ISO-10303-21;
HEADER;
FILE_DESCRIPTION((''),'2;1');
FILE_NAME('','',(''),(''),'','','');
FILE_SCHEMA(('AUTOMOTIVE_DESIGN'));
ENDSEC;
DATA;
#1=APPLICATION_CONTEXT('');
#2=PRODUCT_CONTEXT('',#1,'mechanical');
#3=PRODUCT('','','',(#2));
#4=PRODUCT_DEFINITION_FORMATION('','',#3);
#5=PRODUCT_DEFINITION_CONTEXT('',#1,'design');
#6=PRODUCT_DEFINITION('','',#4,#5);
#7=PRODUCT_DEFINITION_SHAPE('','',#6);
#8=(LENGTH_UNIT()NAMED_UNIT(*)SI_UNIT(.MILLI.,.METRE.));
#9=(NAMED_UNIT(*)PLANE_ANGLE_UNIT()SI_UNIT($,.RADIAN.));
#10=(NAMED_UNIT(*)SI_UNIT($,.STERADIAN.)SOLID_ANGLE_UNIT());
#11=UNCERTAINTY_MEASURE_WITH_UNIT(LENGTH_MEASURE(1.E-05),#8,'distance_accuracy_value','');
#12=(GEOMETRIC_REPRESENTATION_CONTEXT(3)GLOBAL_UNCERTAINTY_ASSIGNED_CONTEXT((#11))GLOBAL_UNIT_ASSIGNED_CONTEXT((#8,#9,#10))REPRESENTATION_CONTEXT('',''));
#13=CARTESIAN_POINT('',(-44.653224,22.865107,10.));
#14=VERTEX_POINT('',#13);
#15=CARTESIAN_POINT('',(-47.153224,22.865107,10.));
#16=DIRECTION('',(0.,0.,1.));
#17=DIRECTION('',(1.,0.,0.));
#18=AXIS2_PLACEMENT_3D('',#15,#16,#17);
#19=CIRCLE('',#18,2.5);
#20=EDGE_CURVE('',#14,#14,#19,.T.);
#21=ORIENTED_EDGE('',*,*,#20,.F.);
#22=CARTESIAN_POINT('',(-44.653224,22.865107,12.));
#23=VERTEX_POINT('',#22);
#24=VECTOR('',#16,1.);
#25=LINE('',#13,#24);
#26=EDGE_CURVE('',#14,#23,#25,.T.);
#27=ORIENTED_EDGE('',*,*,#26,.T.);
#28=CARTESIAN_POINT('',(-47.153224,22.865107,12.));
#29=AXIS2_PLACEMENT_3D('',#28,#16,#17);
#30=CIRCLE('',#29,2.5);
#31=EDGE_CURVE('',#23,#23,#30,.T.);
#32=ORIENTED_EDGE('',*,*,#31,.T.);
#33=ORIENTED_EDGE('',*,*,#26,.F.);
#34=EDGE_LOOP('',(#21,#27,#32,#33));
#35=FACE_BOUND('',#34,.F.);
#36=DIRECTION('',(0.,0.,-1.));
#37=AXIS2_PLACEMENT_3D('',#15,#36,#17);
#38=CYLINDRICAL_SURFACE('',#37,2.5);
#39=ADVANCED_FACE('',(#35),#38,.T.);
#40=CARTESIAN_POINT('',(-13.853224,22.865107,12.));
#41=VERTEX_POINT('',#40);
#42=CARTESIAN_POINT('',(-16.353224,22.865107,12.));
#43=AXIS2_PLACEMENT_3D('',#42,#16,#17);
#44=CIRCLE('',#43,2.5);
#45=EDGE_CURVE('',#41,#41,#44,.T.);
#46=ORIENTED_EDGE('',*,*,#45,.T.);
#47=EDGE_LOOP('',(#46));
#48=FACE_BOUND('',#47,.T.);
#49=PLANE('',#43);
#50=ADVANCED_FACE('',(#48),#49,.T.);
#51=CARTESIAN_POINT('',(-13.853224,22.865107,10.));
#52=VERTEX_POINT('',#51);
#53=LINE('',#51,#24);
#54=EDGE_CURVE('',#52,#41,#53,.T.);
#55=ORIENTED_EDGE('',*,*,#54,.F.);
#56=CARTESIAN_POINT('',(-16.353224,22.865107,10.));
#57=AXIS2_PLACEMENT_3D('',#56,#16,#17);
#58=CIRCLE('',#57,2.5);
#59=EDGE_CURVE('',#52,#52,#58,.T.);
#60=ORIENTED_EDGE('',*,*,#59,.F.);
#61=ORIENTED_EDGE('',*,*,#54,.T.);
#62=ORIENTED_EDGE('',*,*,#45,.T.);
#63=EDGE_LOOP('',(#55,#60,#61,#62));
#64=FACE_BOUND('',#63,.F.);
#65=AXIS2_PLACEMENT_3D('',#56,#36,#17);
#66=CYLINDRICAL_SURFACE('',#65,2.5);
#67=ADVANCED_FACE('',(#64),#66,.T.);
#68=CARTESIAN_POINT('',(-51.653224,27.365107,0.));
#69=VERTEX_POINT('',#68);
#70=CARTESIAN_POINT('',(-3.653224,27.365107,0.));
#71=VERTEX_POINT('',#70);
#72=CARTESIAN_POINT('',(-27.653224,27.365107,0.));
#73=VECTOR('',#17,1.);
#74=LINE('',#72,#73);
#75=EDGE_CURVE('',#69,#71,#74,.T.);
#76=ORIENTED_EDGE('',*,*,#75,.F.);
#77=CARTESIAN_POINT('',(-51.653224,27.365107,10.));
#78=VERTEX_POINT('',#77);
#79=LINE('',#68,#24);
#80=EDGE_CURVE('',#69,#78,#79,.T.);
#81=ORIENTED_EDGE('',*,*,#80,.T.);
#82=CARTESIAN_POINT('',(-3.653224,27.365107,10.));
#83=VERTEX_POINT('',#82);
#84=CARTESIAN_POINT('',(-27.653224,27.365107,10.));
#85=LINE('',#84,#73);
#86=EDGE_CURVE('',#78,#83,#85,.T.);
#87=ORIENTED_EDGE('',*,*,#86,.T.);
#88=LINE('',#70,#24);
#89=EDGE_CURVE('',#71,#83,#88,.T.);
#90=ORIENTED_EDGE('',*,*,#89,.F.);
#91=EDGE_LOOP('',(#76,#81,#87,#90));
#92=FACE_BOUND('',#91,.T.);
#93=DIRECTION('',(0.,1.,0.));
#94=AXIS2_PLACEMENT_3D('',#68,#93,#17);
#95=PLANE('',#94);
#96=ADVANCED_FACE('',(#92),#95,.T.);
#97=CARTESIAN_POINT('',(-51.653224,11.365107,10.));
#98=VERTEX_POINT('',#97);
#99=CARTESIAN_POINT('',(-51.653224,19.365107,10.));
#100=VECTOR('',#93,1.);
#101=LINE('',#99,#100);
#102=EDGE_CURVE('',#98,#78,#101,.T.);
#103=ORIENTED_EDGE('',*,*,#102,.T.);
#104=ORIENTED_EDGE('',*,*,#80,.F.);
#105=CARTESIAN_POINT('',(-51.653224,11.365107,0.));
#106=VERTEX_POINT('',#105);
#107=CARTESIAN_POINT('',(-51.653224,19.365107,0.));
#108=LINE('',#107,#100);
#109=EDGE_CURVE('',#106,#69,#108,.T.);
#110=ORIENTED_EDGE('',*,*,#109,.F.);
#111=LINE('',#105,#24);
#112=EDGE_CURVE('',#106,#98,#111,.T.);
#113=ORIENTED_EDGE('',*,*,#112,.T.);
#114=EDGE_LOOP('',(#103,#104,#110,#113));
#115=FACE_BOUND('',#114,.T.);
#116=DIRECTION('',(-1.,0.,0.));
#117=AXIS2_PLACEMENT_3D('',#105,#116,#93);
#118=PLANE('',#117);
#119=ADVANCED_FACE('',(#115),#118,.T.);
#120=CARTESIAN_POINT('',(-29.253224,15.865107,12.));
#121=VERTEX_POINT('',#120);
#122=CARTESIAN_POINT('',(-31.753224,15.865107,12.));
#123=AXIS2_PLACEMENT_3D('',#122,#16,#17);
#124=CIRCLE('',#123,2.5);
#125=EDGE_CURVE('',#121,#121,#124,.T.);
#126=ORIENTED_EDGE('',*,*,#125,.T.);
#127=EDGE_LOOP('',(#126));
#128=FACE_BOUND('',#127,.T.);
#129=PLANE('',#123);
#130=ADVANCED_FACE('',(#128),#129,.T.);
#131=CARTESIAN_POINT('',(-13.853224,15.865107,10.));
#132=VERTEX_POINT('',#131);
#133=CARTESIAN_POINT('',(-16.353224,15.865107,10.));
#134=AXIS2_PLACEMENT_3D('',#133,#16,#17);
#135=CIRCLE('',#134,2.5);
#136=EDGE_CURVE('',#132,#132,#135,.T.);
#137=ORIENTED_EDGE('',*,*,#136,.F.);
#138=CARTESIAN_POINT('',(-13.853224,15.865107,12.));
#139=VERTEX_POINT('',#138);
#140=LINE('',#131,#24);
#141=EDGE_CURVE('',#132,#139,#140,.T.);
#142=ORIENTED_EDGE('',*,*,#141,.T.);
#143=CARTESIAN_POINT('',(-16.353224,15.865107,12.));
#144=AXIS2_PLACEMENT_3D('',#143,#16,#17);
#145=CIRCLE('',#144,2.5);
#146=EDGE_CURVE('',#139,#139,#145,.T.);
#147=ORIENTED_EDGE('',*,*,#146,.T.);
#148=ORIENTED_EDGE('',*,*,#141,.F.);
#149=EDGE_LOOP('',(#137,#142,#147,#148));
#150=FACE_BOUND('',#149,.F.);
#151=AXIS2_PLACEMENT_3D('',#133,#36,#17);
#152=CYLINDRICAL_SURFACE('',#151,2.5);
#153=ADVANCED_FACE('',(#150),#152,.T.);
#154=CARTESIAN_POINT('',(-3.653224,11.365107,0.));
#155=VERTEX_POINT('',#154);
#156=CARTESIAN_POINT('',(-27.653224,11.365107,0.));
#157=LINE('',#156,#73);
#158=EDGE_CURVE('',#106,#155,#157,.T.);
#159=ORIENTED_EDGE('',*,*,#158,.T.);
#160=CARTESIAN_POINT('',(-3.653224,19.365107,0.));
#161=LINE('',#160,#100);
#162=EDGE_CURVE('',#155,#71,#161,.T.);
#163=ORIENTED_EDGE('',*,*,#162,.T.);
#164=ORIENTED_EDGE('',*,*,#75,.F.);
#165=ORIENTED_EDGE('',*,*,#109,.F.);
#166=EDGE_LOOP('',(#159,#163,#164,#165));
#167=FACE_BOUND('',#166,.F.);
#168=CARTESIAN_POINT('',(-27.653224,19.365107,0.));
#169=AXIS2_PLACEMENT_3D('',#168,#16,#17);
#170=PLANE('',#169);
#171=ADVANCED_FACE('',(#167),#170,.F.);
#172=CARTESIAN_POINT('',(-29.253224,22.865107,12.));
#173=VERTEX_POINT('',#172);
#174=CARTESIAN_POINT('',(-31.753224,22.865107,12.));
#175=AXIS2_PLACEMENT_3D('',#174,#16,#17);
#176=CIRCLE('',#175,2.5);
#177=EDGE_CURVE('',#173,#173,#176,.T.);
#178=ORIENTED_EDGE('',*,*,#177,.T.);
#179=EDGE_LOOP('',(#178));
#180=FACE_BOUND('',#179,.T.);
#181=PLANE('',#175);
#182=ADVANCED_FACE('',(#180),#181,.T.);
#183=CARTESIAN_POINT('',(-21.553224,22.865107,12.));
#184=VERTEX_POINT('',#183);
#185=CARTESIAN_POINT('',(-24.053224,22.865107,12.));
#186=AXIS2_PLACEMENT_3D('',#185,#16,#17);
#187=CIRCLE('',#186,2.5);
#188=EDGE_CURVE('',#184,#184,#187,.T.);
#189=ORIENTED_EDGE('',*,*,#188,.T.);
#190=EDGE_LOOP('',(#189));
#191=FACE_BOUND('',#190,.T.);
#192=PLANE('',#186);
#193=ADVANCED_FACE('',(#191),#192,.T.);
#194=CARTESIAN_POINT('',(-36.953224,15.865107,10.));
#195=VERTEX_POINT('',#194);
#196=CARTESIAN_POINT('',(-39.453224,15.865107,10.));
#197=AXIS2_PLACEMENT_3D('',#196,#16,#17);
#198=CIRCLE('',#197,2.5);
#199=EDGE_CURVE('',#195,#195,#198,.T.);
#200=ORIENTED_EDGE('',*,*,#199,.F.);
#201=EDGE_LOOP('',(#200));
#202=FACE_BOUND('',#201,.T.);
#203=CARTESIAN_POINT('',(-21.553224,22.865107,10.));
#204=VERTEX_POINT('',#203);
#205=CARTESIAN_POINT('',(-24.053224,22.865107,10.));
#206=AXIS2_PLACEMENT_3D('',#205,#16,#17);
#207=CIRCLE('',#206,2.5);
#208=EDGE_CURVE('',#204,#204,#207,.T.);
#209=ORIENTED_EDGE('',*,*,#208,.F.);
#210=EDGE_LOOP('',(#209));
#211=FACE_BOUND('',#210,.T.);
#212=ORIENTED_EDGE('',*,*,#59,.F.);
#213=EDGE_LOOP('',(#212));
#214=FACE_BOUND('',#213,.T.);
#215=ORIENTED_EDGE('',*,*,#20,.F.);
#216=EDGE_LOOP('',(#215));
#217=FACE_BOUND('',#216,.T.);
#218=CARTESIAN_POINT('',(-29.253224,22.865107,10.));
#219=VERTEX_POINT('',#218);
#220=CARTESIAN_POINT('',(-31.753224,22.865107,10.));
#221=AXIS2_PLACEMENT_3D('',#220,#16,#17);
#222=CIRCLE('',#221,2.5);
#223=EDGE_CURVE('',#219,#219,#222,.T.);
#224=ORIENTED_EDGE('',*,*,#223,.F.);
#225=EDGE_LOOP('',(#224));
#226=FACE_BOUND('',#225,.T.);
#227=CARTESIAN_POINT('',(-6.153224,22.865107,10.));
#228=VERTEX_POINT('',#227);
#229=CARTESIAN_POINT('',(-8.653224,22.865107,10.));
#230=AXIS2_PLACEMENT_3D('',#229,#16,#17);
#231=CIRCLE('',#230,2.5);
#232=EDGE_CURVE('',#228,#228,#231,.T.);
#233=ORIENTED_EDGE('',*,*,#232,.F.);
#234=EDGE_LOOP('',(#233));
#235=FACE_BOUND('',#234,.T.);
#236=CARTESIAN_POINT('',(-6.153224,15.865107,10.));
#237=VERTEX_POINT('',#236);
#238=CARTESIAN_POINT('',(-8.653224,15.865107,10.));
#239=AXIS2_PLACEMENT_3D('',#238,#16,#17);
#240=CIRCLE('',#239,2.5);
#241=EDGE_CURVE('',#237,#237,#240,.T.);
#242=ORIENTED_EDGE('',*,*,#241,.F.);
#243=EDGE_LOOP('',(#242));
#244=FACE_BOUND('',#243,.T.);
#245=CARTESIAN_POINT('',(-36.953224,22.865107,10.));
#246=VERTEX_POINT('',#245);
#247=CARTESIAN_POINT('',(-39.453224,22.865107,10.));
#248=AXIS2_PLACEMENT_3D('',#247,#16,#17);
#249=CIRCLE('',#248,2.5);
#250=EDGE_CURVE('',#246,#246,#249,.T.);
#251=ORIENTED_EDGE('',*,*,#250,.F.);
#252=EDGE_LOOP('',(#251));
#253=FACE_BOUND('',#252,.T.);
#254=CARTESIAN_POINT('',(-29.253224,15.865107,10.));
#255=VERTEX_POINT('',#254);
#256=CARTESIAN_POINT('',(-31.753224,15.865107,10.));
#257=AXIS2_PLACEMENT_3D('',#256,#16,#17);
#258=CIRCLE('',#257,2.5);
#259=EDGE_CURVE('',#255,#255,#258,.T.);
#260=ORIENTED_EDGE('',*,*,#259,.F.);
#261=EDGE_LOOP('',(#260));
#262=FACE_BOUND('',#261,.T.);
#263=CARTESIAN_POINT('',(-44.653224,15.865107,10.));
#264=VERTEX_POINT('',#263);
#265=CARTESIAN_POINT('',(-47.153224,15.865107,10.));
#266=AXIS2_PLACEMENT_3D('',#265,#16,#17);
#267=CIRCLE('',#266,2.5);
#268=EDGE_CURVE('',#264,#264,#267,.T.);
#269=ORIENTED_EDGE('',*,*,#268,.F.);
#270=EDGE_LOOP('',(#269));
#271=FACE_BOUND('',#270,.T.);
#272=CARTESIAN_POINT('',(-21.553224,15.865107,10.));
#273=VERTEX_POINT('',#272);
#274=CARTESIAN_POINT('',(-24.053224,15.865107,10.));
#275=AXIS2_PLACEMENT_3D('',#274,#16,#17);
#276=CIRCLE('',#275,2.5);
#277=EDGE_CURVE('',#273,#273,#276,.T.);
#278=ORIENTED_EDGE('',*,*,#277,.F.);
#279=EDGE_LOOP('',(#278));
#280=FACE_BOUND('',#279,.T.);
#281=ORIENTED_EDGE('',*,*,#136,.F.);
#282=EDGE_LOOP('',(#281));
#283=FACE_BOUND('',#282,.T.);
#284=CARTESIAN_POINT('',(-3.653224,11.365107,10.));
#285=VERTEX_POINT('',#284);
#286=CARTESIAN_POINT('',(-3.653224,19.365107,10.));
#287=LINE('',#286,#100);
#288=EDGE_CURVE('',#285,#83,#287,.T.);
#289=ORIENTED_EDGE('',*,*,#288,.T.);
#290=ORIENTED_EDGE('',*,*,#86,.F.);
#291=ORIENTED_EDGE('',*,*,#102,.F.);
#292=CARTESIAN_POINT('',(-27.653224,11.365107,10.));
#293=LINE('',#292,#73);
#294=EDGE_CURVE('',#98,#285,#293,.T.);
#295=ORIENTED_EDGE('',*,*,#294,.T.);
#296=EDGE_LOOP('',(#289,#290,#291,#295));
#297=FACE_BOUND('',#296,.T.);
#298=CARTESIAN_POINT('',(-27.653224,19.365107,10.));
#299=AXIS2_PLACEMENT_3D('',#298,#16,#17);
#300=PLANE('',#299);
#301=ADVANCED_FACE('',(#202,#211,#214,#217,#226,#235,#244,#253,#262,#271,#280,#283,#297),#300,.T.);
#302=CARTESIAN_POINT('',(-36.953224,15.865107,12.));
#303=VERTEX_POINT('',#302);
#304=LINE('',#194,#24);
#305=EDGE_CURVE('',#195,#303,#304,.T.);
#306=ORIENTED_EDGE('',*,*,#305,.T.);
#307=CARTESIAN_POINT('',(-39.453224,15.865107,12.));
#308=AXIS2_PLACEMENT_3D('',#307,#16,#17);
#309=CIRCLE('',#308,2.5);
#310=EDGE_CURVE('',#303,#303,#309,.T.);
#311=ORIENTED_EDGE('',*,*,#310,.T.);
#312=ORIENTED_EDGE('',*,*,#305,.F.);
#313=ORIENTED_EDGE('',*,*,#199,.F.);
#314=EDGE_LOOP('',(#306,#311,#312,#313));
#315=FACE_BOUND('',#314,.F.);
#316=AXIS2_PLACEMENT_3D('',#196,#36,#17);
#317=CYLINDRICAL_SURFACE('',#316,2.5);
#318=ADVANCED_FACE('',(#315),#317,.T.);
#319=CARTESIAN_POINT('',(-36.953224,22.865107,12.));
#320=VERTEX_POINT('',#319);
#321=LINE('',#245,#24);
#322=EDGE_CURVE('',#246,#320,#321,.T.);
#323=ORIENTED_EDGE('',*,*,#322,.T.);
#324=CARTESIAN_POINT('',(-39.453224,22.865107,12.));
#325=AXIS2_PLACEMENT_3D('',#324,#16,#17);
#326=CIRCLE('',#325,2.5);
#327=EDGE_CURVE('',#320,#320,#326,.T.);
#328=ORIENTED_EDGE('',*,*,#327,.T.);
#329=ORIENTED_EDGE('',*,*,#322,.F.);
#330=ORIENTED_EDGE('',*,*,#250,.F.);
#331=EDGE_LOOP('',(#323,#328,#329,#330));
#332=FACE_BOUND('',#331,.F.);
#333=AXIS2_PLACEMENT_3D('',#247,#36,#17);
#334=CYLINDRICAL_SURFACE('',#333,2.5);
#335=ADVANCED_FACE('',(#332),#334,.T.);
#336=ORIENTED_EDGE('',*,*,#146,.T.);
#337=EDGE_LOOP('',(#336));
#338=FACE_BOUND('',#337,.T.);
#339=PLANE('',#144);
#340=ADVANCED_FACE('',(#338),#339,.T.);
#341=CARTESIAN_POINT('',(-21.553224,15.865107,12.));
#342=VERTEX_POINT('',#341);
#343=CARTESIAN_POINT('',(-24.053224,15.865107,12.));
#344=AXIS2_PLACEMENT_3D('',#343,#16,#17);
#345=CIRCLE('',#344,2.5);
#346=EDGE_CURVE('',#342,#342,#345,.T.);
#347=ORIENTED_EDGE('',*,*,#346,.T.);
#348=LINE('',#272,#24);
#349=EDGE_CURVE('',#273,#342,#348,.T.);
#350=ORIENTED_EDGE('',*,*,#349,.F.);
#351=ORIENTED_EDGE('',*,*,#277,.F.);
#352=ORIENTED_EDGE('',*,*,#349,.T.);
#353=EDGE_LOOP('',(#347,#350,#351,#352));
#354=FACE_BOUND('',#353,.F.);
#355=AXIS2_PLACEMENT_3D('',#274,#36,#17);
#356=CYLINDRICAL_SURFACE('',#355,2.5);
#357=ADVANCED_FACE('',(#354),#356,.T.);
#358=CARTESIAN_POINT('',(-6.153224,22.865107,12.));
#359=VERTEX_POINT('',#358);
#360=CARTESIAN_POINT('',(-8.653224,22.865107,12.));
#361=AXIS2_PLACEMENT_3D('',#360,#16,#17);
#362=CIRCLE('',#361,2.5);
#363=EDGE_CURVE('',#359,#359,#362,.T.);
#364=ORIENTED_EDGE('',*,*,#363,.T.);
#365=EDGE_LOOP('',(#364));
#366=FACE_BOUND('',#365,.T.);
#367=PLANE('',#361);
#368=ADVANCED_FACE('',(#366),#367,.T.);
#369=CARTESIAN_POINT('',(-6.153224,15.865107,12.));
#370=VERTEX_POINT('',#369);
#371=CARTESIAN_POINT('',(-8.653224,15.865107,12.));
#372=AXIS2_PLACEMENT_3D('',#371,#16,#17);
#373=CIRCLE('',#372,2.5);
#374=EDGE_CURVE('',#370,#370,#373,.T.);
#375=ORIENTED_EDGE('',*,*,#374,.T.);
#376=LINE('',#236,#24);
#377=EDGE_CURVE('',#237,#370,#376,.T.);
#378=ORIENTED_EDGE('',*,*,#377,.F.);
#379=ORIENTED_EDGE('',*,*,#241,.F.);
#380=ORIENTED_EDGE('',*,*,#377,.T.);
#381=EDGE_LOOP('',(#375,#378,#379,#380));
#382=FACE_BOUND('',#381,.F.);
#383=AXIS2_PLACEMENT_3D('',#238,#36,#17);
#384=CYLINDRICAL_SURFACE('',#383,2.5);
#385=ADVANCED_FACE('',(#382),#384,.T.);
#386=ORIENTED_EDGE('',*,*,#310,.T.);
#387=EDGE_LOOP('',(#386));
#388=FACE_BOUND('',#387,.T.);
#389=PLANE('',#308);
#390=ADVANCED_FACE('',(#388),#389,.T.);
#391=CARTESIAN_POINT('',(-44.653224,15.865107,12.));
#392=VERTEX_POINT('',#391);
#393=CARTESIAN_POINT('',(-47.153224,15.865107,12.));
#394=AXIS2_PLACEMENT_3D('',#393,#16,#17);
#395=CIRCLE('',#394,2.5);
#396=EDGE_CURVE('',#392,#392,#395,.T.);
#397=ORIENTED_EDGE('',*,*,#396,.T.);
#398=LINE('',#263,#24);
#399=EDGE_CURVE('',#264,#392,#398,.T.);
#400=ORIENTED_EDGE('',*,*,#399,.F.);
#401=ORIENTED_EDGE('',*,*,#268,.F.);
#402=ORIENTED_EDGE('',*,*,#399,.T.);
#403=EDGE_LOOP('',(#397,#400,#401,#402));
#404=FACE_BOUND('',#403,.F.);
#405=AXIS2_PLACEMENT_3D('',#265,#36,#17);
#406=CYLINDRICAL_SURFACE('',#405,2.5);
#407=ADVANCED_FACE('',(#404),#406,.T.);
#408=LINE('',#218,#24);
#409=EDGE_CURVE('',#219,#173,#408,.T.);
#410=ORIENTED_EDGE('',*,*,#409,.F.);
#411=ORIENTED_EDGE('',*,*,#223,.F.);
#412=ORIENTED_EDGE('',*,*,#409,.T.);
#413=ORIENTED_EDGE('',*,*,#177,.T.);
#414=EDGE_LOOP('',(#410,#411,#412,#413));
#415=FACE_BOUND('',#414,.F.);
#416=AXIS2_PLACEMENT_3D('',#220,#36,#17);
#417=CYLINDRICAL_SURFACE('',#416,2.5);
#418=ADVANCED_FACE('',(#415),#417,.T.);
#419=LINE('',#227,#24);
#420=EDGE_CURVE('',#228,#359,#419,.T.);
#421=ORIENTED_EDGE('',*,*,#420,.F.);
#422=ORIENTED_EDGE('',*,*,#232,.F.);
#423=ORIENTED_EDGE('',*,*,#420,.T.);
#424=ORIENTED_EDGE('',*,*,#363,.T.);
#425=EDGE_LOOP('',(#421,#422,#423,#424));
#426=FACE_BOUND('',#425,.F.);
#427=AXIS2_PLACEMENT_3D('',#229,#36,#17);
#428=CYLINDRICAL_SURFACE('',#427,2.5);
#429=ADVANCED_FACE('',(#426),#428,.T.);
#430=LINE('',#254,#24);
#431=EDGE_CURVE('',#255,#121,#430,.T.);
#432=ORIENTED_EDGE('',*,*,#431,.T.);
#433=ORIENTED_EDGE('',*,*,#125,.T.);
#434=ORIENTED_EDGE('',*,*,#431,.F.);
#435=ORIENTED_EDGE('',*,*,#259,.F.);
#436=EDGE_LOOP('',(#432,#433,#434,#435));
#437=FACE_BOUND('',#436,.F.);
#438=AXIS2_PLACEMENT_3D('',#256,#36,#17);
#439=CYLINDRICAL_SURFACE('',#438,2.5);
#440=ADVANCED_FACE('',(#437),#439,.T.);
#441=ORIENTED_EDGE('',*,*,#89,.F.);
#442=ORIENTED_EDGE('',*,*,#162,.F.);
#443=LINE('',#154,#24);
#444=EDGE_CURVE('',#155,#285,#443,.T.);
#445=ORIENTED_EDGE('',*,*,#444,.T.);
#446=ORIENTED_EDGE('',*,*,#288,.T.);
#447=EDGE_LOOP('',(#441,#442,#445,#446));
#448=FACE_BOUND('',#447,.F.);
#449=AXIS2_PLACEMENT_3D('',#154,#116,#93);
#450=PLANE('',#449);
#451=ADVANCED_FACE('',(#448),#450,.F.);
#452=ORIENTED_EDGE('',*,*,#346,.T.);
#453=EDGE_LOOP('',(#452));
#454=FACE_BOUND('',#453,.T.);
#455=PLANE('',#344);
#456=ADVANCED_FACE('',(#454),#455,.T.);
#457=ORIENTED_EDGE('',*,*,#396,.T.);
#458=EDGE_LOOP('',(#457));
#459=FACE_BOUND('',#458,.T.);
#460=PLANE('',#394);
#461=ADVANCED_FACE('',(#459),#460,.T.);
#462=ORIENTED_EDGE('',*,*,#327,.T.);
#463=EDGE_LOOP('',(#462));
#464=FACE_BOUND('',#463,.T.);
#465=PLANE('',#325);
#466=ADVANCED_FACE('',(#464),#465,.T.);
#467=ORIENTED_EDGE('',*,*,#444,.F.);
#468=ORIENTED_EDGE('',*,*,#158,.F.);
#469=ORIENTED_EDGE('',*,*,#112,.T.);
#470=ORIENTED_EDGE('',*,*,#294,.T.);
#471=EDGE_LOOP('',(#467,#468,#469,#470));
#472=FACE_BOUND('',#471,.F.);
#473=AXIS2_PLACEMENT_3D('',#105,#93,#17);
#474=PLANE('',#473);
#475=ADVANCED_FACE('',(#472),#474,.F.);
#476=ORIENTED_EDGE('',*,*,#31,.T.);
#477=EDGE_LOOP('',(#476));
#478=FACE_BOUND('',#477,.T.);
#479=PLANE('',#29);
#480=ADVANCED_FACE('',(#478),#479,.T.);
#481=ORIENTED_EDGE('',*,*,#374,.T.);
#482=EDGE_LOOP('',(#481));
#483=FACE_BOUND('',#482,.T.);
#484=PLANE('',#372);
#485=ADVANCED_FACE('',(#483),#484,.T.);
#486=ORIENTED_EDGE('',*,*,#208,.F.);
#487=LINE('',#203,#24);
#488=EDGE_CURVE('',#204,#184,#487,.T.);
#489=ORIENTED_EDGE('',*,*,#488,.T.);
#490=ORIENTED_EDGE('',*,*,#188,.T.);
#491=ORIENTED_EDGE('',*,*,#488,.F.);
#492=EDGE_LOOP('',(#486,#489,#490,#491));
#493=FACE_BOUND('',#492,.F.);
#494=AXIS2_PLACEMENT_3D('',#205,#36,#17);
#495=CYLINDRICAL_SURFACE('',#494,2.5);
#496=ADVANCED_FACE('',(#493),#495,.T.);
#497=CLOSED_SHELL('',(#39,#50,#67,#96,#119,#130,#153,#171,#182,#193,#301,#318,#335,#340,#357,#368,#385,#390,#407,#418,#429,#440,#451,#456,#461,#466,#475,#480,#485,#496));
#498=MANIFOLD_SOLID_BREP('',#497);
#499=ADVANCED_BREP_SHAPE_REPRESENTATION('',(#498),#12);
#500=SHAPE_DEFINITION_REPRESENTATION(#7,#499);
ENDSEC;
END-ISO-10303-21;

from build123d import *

# Parameters (mm, degrees)
F0_W     = 48
F0_H     = 16
F1_DEPTH = 10
F2_R     = 2.5
F3_DEPTH = 2


with BuildPart() as f1:
    # F0 (on Top) → F1 (new body)
    with BuildSketch(Plane.XY):
        with Locations((-27.653224, 19.365107)):
            Rectangle(F0_W, F0_H)
    extrude(amount=F1_DEPTH)

    # F2 (on face) → F3 (join)
    with BuildSketch(Plane.XY.offset(10)):
        with Locations((-47.153224, 22.865107)):
            Circle(F2_R)
        with Locations((-47.153224, 15.865107)):
            Circle(F2_R)
        with Locations((-39.453224, 15.865107)):
            Circle(F2_R)
        with Locations((-39.453224, 22.865107)):
            Circle(F2_R)
        with Locations((-31.753224, 22.865107)):
            Circle(F2_R)
        with Locations((-24.053224, 22.865107)):
            Circle(F2_R)
        with Locations((-16.353224, 22.865107)):
            Circle(F2_R)
        with Locations((-8.653224, 22.865107)):
            Circle(F2_R)
        with Locations((-8.653224, 15.865107)):
            Circle(F2_R)
        with Locations((-16.353224, 15.865107)):
            Circle(F2_R)
        with Locations((-24.053224, 15.865107)):
            Circle(F2_R)
        with Locations((-31.753224, 15.865107)):
            Circle(F2_R)
    extrude(amount=F3_DEPTH)


solid = f1.part
